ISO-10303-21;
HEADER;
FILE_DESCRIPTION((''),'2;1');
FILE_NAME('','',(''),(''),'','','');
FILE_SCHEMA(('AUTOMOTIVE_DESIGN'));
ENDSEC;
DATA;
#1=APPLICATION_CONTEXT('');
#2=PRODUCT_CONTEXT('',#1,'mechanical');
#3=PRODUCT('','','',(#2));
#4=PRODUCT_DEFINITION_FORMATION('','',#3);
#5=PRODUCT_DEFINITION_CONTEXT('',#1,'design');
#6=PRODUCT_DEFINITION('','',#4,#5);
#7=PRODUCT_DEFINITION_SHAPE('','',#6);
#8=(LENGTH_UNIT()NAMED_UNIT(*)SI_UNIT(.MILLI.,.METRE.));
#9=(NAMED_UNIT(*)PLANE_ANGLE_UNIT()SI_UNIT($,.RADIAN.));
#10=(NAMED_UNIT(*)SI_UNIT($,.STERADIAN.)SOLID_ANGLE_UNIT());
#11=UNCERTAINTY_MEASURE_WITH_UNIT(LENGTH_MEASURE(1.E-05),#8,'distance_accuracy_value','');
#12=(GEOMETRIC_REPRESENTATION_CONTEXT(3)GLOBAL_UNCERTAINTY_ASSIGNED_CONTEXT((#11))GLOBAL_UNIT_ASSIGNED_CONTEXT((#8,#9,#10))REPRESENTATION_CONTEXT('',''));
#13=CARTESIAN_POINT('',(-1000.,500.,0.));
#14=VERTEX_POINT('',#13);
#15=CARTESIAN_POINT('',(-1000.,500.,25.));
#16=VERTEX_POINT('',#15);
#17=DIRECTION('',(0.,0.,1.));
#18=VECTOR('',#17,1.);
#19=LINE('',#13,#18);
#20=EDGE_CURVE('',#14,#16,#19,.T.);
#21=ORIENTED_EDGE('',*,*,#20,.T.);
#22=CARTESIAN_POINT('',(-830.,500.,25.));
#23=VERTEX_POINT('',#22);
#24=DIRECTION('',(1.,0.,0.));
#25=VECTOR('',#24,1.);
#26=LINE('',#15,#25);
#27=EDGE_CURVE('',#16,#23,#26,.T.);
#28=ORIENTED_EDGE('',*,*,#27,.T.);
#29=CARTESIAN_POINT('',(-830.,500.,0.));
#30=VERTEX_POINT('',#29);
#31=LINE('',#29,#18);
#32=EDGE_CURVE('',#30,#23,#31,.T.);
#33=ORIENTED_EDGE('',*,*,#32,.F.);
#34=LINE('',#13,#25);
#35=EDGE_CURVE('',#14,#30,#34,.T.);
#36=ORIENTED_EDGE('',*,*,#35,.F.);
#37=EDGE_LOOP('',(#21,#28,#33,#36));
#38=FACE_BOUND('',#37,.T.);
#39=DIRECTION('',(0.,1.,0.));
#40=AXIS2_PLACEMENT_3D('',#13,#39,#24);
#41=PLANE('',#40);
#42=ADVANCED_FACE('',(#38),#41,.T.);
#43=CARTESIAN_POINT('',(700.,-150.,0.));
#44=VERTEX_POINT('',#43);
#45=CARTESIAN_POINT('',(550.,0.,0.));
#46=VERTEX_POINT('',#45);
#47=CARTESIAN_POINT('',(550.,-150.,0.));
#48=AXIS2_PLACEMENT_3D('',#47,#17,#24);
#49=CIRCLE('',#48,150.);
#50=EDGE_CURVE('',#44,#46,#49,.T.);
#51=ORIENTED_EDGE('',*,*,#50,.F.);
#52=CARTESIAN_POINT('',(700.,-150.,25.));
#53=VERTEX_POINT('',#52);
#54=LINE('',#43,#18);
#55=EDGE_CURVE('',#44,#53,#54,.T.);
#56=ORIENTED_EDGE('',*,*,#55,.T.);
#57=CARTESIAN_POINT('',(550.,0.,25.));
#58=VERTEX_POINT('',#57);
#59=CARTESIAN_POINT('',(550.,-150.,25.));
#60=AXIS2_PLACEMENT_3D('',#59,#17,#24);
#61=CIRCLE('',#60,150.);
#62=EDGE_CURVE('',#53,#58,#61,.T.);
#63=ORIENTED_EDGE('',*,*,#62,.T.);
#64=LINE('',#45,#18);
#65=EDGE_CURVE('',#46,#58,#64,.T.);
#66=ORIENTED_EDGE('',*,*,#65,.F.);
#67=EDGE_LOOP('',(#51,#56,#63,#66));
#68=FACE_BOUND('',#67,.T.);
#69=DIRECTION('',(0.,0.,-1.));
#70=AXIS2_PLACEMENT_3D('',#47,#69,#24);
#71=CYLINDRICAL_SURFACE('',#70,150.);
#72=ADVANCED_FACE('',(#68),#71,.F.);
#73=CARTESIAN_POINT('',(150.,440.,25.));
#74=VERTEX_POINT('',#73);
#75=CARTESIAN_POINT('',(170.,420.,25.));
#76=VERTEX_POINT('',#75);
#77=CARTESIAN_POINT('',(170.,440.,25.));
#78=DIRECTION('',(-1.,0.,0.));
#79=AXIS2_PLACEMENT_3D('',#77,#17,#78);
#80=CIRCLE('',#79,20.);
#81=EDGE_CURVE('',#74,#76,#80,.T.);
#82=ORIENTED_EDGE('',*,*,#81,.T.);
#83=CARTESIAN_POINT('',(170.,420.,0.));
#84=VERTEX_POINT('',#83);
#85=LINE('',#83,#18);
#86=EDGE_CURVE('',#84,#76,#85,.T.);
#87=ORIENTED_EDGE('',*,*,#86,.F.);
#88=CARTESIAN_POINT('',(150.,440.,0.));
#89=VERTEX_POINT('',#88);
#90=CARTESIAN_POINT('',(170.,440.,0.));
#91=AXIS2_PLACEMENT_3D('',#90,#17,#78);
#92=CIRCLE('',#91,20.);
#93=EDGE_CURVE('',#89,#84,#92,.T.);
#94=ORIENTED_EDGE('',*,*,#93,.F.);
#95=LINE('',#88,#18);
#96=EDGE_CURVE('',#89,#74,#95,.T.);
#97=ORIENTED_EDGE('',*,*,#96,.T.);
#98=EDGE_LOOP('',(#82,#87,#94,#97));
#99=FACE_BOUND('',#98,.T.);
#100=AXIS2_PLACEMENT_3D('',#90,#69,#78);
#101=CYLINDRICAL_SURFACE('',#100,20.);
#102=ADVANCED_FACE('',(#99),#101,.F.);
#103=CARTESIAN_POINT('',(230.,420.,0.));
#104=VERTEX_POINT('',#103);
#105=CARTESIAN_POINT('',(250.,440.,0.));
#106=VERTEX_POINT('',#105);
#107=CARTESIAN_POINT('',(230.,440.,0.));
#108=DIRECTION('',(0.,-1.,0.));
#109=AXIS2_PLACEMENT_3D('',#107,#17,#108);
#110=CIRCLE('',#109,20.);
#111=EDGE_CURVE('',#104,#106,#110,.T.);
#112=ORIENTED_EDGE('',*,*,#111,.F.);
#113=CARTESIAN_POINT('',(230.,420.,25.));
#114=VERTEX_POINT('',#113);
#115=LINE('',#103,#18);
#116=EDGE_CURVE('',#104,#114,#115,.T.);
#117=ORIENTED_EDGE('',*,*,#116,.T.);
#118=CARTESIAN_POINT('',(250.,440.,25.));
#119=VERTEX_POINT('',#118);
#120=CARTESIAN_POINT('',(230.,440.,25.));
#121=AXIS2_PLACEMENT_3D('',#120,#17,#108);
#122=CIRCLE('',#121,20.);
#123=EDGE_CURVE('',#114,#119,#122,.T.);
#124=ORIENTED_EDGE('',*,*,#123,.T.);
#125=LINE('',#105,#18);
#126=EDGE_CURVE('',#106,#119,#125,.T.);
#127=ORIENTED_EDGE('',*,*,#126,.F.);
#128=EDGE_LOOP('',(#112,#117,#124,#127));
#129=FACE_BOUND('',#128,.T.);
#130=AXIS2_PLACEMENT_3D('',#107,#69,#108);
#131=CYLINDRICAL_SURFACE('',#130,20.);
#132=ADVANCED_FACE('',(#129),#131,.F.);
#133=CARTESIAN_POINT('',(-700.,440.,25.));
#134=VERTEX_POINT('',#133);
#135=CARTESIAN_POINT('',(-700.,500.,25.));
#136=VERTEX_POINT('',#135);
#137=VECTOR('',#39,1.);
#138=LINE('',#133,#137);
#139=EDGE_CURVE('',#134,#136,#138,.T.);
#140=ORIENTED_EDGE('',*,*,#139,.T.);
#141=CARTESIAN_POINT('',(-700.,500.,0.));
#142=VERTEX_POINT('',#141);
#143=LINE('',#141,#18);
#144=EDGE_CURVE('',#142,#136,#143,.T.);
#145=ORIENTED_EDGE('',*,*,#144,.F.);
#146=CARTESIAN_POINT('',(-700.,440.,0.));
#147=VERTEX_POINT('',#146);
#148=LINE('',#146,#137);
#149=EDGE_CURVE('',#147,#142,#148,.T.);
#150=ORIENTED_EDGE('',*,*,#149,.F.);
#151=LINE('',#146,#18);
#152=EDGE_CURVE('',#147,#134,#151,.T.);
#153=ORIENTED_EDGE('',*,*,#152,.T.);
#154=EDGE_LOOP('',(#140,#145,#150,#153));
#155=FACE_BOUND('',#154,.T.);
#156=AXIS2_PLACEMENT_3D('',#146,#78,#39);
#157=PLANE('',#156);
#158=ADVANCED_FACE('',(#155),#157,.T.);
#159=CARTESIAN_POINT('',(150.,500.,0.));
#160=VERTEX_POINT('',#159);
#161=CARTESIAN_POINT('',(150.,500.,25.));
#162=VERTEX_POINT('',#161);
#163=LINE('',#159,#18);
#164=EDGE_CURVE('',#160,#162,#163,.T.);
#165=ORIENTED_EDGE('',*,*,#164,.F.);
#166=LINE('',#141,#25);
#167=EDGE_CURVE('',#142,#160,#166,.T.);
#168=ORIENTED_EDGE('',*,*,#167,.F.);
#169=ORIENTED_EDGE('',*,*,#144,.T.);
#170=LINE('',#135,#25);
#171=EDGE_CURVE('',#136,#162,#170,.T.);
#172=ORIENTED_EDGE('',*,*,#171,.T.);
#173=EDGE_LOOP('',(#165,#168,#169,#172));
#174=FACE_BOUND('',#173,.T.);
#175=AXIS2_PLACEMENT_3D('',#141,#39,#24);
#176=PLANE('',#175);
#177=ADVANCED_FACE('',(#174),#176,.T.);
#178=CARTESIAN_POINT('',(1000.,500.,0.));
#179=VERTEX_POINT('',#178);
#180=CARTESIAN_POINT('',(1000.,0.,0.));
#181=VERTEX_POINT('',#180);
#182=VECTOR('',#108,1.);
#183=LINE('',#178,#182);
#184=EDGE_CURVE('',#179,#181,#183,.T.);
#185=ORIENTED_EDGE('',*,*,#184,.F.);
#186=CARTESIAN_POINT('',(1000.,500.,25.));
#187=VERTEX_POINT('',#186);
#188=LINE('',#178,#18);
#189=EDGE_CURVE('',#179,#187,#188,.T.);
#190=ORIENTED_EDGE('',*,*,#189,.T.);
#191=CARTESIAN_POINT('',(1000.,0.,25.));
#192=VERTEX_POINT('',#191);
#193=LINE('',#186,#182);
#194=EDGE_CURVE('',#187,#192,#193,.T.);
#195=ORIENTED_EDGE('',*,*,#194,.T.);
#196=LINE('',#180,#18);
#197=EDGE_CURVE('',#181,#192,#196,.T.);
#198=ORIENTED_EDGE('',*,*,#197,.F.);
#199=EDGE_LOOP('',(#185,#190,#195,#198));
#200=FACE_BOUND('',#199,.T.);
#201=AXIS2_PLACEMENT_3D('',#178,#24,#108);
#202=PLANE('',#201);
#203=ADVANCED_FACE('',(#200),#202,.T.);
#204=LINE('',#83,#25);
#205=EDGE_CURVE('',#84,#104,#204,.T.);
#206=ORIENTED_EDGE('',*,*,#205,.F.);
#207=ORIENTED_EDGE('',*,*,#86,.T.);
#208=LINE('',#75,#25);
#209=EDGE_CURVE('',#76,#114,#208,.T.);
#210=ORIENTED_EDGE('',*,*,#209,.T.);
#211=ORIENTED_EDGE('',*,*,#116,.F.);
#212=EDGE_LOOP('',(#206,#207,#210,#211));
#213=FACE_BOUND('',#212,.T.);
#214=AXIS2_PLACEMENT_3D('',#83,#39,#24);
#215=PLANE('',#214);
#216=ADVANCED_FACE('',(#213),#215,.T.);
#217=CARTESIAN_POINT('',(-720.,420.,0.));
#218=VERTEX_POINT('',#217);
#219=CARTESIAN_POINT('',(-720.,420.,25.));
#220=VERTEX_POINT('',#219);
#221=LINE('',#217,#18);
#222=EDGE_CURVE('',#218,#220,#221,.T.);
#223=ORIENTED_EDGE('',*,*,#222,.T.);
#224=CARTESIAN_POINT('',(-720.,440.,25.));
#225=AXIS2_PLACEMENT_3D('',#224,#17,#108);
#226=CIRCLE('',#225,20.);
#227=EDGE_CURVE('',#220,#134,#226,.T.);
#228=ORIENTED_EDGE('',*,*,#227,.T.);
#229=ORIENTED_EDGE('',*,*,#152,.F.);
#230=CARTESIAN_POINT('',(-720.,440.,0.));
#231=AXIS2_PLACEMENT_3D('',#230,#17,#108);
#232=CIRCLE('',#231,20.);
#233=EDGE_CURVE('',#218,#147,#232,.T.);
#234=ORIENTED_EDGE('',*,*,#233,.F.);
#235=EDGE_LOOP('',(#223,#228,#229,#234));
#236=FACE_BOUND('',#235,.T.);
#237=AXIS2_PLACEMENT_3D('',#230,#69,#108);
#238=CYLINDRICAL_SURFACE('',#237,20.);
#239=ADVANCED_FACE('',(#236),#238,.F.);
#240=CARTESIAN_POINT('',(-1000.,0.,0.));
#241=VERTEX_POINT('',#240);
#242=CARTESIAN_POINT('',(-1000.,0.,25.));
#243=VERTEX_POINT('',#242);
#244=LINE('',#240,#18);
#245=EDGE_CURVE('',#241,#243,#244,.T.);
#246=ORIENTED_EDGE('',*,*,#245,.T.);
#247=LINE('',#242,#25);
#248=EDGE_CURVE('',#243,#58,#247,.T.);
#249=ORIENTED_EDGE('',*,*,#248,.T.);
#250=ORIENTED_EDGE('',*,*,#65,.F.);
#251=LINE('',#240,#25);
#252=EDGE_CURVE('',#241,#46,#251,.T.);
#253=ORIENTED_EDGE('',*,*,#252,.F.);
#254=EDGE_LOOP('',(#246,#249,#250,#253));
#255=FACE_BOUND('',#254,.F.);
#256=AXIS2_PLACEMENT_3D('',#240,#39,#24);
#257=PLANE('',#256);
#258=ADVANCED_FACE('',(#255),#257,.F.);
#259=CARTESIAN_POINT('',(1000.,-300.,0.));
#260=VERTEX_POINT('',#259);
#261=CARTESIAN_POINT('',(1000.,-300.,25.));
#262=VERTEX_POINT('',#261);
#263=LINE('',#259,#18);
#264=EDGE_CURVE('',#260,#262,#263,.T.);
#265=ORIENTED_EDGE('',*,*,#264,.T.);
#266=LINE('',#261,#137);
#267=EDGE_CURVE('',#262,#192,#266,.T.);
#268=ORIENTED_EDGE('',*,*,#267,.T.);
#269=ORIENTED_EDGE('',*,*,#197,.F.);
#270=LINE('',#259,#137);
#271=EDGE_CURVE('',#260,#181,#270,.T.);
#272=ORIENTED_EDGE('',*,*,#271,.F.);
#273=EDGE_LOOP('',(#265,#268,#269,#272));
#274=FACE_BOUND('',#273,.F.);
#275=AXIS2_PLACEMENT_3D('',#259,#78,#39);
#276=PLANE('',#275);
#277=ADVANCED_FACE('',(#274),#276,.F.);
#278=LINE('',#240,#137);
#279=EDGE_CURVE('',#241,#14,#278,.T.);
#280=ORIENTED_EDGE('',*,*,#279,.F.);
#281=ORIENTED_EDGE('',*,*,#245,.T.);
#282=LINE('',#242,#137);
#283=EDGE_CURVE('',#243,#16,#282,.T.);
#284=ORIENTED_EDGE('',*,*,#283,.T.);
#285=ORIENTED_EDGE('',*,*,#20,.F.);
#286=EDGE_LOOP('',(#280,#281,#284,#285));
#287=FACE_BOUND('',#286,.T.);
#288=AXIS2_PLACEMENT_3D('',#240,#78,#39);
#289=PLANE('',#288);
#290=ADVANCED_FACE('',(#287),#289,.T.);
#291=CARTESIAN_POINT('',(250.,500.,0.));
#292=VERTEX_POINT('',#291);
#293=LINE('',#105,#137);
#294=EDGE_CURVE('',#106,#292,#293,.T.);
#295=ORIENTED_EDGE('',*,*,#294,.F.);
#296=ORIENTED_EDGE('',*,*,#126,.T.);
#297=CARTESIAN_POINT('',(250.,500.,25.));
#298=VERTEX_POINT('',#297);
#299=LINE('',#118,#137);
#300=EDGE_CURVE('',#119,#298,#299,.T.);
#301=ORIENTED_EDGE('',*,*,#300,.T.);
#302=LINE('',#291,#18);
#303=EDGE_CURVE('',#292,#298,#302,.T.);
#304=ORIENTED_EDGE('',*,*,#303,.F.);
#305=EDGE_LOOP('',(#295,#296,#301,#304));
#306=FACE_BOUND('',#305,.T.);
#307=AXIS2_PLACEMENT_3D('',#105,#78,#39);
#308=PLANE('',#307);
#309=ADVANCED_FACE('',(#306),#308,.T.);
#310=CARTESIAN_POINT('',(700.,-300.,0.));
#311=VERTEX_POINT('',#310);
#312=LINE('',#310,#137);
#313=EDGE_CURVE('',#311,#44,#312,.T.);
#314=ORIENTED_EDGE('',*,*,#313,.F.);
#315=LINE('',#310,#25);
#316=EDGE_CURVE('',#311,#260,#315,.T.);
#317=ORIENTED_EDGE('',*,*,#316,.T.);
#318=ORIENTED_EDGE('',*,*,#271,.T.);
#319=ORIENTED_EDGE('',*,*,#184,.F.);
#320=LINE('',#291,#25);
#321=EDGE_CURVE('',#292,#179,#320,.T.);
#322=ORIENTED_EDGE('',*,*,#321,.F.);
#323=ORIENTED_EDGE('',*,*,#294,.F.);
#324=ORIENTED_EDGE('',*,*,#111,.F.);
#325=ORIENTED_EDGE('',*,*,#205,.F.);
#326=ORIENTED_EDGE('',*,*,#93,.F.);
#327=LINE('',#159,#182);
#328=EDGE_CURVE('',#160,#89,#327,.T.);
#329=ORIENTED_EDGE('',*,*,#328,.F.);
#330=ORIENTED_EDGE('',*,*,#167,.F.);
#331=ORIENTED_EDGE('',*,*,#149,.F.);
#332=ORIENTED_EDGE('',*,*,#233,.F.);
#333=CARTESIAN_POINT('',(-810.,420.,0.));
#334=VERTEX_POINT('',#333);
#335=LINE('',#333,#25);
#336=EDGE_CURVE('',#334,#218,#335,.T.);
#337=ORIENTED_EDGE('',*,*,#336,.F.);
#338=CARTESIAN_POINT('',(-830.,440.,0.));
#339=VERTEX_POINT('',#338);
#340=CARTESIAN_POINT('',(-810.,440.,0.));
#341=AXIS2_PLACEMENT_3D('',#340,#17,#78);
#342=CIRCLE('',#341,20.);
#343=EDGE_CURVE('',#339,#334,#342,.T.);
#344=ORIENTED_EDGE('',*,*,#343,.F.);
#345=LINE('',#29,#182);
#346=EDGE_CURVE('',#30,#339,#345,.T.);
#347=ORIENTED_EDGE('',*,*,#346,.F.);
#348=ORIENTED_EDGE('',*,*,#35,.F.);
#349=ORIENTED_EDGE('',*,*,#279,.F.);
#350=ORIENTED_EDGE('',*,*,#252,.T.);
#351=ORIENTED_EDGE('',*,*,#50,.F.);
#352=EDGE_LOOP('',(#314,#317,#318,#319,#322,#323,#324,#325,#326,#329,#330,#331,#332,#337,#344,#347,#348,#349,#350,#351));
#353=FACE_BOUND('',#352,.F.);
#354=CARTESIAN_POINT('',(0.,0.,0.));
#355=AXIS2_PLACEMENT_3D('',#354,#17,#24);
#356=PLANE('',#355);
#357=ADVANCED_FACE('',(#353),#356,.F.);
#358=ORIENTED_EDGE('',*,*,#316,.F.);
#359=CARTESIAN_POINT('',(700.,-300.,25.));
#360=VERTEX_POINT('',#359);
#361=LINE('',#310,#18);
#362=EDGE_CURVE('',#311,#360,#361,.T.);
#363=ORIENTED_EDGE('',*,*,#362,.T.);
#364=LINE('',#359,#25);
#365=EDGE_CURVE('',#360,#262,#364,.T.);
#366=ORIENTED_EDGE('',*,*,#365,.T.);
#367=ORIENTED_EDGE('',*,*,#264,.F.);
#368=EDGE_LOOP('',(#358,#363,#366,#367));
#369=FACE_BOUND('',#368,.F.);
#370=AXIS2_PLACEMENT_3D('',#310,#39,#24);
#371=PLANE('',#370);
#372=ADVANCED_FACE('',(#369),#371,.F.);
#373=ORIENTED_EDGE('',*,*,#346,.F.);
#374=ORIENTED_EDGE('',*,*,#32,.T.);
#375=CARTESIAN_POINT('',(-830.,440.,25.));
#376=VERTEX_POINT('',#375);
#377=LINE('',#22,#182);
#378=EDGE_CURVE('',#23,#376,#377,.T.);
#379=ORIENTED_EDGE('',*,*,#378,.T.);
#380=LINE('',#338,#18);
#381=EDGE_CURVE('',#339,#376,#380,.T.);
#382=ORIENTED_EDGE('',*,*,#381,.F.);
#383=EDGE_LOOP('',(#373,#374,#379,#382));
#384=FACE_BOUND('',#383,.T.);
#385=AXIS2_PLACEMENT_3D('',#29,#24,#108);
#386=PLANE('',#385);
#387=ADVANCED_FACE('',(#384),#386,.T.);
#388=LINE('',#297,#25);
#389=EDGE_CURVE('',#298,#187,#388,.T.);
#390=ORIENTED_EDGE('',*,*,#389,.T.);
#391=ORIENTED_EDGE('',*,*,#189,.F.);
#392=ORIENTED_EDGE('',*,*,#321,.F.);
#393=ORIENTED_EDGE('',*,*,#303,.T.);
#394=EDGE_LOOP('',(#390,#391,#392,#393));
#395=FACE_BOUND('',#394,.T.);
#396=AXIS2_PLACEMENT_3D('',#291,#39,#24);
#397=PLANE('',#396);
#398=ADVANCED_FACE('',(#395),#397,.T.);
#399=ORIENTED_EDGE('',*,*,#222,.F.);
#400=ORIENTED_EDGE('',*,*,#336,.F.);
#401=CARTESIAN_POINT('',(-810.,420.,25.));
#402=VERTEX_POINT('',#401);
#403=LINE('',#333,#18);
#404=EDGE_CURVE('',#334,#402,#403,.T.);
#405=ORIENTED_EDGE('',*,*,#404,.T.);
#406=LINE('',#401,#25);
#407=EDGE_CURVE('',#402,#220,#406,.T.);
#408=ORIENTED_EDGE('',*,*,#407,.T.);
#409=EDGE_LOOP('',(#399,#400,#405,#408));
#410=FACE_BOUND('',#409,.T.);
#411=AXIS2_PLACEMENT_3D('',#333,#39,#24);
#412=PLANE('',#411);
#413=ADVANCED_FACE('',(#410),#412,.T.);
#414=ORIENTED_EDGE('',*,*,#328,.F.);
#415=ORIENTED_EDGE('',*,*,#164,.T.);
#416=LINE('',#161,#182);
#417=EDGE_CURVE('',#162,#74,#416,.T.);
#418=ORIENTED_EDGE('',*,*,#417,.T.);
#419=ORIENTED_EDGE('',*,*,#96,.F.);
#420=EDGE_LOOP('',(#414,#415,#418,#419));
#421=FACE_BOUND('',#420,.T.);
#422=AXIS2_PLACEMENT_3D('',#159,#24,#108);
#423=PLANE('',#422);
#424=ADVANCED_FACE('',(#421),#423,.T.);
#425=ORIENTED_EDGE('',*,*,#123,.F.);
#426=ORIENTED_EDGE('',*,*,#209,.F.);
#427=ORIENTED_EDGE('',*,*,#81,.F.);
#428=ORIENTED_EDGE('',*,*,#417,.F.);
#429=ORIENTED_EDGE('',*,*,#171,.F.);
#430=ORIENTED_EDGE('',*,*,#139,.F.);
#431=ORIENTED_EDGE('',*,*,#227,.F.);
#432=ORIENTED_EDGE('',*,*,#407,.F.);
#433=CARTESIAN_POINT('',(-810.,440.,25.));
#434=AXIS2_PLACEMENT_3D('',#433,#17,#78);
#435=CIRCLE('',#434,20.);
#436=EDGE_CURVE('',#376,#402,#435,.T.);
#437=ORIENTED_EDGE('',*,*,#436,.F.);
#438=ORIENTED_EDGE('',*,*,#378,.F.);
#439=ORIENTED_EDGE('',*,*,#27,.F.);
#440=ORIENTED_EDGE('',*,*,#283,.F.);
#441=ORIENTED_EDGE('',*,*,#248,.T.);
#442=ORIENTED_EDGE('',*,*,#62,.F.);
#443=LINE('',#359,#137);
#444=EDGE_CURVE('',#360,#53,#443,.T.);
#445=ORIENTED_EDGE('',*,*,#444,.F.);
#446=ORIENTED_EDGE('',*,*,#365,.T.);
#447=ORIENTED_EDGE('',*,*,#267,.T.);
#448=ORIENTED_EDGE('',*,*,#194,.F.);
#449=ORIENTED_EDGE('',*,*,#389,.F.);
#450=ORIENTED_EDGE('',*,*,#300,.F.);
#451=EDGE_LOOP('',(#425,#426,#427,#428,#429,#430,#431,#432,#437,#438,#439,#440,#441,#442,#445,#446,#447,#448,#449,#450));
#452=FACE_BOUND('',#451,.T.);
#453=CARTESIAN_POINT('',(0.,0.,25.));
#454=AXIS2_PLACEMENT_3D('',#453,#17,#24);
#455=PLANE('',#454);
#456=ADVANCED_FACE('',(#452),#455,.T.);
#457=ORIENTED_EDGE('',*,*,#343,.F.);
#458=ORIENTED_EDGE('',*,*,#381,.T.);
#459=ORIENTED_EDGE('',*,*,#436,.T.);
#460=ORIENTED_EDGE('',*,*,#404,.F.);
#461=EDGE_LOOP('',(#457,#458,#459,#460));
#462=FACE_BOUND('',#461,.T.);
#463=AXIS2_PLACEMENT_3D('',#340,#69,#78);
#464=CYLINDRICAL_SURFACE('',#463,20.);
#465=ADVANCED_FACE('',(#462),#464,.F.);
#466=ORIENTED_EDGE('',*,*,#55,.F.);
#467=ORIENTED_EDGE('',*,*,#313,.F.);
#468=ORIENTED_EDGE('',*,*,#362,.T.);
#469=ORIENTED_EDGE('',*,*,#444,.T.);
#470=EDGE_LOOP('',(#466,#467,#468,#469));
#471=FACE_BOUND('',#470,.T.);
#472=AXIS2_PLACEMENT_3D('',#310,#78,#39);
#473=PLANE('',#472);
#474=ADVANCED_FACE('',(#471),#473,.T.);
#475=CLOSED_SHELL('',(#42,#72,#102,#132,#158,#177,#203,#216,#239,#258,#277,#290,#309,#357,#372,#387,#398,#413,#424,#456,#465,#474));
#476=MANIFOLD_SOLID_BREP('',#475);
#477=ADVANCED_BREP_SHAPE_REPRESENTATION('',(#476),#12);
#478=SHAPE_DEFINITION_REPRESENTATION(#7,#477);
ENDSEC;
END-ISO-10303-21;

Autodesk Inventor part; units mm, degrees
ref_plane "YZ Plane" through (0, 0, 0) normal (1, 0, 0) x (0, 1, 0)
ref_plane "XZ Plane" through (0, 0, 0) normal (0, 1, 0) x (-1, 0, 0)
ref_plane "XY Plane" through (0, 0, 0) normal (0, 0, 1) x (1, 0, 0)
sketch "Sketch1" plane through (0, 0, 0) normal (0, 0, 1) x (1, 0, 0)
  line L0 (1000, 500) -> (1000, 0)
  line L1 (-1000, 0) -> (-1000, 500)
  line L2 (700, -300) -> (1000, -300)
  line L3 (1000, -300) -> (1000, 0)
  line L4 (-1000, 0) -> (550, 0)
  line L5 (700, -300) -> (700, -150)
  arc A0 (700, -150) -> (550, 0) centre (550, -150) ccw
  line L6 (250, 500) -> (1000, 500)
  line L7 (150, 500) -> (150, 440)
  line L8 (250, 440) -> (250, 500)
  line L9 (-1000, 500) -> (-830, 500)
  line L10 (-830, 500) -> (-830, 440)
  line L11 (-810, 420) -> (-720, 420)
  line L12 (-700, 440) -> (-700, 500)
  line L13 (-700, 500) -> (150, 500)
  line L14 (170, 420) -> (230, 420)
  arc A1 (-720, 420) -> (-700, 440) centre (-720, 440) ccw
  arc A2 (-830, 440) -> (-810, 420) centre (-810, 440) ccw
  arc A3 (150, 440) -> (170, 420) centre (170, 440) ccw
  arc A4 (230, 420) -> (250, 440) centre (230, 440) ccw
  point P0 (0, 0)
  point P1 (150, 420)
  point P2 (250, 420)
  point P3 (-830, 420)
  point P4 (-700, 420)
  dimension "d2" = 2000
  dimension "d3" = 500
  dimension "d4" = 300
  dimension "d5" = 300
  dimension "d6" = 150
  dimension "d7" = 1550
  dimension "d8" = 150
  dimension "d11" = 80
  dimension "d12" = 100
  dimension "d13" = 170
  dimension "d14" = 80
  dimension "d15" = 130
  dimension "d16" = 850
  dimension "d18" = 20
  dimension "d19" = 20
  dimension "d20" = 20
  dimension "d21" = 20
extrude "Extrusion1" add sketch "Sketch1" along normal blind 25
properties part number "TableOlya"
